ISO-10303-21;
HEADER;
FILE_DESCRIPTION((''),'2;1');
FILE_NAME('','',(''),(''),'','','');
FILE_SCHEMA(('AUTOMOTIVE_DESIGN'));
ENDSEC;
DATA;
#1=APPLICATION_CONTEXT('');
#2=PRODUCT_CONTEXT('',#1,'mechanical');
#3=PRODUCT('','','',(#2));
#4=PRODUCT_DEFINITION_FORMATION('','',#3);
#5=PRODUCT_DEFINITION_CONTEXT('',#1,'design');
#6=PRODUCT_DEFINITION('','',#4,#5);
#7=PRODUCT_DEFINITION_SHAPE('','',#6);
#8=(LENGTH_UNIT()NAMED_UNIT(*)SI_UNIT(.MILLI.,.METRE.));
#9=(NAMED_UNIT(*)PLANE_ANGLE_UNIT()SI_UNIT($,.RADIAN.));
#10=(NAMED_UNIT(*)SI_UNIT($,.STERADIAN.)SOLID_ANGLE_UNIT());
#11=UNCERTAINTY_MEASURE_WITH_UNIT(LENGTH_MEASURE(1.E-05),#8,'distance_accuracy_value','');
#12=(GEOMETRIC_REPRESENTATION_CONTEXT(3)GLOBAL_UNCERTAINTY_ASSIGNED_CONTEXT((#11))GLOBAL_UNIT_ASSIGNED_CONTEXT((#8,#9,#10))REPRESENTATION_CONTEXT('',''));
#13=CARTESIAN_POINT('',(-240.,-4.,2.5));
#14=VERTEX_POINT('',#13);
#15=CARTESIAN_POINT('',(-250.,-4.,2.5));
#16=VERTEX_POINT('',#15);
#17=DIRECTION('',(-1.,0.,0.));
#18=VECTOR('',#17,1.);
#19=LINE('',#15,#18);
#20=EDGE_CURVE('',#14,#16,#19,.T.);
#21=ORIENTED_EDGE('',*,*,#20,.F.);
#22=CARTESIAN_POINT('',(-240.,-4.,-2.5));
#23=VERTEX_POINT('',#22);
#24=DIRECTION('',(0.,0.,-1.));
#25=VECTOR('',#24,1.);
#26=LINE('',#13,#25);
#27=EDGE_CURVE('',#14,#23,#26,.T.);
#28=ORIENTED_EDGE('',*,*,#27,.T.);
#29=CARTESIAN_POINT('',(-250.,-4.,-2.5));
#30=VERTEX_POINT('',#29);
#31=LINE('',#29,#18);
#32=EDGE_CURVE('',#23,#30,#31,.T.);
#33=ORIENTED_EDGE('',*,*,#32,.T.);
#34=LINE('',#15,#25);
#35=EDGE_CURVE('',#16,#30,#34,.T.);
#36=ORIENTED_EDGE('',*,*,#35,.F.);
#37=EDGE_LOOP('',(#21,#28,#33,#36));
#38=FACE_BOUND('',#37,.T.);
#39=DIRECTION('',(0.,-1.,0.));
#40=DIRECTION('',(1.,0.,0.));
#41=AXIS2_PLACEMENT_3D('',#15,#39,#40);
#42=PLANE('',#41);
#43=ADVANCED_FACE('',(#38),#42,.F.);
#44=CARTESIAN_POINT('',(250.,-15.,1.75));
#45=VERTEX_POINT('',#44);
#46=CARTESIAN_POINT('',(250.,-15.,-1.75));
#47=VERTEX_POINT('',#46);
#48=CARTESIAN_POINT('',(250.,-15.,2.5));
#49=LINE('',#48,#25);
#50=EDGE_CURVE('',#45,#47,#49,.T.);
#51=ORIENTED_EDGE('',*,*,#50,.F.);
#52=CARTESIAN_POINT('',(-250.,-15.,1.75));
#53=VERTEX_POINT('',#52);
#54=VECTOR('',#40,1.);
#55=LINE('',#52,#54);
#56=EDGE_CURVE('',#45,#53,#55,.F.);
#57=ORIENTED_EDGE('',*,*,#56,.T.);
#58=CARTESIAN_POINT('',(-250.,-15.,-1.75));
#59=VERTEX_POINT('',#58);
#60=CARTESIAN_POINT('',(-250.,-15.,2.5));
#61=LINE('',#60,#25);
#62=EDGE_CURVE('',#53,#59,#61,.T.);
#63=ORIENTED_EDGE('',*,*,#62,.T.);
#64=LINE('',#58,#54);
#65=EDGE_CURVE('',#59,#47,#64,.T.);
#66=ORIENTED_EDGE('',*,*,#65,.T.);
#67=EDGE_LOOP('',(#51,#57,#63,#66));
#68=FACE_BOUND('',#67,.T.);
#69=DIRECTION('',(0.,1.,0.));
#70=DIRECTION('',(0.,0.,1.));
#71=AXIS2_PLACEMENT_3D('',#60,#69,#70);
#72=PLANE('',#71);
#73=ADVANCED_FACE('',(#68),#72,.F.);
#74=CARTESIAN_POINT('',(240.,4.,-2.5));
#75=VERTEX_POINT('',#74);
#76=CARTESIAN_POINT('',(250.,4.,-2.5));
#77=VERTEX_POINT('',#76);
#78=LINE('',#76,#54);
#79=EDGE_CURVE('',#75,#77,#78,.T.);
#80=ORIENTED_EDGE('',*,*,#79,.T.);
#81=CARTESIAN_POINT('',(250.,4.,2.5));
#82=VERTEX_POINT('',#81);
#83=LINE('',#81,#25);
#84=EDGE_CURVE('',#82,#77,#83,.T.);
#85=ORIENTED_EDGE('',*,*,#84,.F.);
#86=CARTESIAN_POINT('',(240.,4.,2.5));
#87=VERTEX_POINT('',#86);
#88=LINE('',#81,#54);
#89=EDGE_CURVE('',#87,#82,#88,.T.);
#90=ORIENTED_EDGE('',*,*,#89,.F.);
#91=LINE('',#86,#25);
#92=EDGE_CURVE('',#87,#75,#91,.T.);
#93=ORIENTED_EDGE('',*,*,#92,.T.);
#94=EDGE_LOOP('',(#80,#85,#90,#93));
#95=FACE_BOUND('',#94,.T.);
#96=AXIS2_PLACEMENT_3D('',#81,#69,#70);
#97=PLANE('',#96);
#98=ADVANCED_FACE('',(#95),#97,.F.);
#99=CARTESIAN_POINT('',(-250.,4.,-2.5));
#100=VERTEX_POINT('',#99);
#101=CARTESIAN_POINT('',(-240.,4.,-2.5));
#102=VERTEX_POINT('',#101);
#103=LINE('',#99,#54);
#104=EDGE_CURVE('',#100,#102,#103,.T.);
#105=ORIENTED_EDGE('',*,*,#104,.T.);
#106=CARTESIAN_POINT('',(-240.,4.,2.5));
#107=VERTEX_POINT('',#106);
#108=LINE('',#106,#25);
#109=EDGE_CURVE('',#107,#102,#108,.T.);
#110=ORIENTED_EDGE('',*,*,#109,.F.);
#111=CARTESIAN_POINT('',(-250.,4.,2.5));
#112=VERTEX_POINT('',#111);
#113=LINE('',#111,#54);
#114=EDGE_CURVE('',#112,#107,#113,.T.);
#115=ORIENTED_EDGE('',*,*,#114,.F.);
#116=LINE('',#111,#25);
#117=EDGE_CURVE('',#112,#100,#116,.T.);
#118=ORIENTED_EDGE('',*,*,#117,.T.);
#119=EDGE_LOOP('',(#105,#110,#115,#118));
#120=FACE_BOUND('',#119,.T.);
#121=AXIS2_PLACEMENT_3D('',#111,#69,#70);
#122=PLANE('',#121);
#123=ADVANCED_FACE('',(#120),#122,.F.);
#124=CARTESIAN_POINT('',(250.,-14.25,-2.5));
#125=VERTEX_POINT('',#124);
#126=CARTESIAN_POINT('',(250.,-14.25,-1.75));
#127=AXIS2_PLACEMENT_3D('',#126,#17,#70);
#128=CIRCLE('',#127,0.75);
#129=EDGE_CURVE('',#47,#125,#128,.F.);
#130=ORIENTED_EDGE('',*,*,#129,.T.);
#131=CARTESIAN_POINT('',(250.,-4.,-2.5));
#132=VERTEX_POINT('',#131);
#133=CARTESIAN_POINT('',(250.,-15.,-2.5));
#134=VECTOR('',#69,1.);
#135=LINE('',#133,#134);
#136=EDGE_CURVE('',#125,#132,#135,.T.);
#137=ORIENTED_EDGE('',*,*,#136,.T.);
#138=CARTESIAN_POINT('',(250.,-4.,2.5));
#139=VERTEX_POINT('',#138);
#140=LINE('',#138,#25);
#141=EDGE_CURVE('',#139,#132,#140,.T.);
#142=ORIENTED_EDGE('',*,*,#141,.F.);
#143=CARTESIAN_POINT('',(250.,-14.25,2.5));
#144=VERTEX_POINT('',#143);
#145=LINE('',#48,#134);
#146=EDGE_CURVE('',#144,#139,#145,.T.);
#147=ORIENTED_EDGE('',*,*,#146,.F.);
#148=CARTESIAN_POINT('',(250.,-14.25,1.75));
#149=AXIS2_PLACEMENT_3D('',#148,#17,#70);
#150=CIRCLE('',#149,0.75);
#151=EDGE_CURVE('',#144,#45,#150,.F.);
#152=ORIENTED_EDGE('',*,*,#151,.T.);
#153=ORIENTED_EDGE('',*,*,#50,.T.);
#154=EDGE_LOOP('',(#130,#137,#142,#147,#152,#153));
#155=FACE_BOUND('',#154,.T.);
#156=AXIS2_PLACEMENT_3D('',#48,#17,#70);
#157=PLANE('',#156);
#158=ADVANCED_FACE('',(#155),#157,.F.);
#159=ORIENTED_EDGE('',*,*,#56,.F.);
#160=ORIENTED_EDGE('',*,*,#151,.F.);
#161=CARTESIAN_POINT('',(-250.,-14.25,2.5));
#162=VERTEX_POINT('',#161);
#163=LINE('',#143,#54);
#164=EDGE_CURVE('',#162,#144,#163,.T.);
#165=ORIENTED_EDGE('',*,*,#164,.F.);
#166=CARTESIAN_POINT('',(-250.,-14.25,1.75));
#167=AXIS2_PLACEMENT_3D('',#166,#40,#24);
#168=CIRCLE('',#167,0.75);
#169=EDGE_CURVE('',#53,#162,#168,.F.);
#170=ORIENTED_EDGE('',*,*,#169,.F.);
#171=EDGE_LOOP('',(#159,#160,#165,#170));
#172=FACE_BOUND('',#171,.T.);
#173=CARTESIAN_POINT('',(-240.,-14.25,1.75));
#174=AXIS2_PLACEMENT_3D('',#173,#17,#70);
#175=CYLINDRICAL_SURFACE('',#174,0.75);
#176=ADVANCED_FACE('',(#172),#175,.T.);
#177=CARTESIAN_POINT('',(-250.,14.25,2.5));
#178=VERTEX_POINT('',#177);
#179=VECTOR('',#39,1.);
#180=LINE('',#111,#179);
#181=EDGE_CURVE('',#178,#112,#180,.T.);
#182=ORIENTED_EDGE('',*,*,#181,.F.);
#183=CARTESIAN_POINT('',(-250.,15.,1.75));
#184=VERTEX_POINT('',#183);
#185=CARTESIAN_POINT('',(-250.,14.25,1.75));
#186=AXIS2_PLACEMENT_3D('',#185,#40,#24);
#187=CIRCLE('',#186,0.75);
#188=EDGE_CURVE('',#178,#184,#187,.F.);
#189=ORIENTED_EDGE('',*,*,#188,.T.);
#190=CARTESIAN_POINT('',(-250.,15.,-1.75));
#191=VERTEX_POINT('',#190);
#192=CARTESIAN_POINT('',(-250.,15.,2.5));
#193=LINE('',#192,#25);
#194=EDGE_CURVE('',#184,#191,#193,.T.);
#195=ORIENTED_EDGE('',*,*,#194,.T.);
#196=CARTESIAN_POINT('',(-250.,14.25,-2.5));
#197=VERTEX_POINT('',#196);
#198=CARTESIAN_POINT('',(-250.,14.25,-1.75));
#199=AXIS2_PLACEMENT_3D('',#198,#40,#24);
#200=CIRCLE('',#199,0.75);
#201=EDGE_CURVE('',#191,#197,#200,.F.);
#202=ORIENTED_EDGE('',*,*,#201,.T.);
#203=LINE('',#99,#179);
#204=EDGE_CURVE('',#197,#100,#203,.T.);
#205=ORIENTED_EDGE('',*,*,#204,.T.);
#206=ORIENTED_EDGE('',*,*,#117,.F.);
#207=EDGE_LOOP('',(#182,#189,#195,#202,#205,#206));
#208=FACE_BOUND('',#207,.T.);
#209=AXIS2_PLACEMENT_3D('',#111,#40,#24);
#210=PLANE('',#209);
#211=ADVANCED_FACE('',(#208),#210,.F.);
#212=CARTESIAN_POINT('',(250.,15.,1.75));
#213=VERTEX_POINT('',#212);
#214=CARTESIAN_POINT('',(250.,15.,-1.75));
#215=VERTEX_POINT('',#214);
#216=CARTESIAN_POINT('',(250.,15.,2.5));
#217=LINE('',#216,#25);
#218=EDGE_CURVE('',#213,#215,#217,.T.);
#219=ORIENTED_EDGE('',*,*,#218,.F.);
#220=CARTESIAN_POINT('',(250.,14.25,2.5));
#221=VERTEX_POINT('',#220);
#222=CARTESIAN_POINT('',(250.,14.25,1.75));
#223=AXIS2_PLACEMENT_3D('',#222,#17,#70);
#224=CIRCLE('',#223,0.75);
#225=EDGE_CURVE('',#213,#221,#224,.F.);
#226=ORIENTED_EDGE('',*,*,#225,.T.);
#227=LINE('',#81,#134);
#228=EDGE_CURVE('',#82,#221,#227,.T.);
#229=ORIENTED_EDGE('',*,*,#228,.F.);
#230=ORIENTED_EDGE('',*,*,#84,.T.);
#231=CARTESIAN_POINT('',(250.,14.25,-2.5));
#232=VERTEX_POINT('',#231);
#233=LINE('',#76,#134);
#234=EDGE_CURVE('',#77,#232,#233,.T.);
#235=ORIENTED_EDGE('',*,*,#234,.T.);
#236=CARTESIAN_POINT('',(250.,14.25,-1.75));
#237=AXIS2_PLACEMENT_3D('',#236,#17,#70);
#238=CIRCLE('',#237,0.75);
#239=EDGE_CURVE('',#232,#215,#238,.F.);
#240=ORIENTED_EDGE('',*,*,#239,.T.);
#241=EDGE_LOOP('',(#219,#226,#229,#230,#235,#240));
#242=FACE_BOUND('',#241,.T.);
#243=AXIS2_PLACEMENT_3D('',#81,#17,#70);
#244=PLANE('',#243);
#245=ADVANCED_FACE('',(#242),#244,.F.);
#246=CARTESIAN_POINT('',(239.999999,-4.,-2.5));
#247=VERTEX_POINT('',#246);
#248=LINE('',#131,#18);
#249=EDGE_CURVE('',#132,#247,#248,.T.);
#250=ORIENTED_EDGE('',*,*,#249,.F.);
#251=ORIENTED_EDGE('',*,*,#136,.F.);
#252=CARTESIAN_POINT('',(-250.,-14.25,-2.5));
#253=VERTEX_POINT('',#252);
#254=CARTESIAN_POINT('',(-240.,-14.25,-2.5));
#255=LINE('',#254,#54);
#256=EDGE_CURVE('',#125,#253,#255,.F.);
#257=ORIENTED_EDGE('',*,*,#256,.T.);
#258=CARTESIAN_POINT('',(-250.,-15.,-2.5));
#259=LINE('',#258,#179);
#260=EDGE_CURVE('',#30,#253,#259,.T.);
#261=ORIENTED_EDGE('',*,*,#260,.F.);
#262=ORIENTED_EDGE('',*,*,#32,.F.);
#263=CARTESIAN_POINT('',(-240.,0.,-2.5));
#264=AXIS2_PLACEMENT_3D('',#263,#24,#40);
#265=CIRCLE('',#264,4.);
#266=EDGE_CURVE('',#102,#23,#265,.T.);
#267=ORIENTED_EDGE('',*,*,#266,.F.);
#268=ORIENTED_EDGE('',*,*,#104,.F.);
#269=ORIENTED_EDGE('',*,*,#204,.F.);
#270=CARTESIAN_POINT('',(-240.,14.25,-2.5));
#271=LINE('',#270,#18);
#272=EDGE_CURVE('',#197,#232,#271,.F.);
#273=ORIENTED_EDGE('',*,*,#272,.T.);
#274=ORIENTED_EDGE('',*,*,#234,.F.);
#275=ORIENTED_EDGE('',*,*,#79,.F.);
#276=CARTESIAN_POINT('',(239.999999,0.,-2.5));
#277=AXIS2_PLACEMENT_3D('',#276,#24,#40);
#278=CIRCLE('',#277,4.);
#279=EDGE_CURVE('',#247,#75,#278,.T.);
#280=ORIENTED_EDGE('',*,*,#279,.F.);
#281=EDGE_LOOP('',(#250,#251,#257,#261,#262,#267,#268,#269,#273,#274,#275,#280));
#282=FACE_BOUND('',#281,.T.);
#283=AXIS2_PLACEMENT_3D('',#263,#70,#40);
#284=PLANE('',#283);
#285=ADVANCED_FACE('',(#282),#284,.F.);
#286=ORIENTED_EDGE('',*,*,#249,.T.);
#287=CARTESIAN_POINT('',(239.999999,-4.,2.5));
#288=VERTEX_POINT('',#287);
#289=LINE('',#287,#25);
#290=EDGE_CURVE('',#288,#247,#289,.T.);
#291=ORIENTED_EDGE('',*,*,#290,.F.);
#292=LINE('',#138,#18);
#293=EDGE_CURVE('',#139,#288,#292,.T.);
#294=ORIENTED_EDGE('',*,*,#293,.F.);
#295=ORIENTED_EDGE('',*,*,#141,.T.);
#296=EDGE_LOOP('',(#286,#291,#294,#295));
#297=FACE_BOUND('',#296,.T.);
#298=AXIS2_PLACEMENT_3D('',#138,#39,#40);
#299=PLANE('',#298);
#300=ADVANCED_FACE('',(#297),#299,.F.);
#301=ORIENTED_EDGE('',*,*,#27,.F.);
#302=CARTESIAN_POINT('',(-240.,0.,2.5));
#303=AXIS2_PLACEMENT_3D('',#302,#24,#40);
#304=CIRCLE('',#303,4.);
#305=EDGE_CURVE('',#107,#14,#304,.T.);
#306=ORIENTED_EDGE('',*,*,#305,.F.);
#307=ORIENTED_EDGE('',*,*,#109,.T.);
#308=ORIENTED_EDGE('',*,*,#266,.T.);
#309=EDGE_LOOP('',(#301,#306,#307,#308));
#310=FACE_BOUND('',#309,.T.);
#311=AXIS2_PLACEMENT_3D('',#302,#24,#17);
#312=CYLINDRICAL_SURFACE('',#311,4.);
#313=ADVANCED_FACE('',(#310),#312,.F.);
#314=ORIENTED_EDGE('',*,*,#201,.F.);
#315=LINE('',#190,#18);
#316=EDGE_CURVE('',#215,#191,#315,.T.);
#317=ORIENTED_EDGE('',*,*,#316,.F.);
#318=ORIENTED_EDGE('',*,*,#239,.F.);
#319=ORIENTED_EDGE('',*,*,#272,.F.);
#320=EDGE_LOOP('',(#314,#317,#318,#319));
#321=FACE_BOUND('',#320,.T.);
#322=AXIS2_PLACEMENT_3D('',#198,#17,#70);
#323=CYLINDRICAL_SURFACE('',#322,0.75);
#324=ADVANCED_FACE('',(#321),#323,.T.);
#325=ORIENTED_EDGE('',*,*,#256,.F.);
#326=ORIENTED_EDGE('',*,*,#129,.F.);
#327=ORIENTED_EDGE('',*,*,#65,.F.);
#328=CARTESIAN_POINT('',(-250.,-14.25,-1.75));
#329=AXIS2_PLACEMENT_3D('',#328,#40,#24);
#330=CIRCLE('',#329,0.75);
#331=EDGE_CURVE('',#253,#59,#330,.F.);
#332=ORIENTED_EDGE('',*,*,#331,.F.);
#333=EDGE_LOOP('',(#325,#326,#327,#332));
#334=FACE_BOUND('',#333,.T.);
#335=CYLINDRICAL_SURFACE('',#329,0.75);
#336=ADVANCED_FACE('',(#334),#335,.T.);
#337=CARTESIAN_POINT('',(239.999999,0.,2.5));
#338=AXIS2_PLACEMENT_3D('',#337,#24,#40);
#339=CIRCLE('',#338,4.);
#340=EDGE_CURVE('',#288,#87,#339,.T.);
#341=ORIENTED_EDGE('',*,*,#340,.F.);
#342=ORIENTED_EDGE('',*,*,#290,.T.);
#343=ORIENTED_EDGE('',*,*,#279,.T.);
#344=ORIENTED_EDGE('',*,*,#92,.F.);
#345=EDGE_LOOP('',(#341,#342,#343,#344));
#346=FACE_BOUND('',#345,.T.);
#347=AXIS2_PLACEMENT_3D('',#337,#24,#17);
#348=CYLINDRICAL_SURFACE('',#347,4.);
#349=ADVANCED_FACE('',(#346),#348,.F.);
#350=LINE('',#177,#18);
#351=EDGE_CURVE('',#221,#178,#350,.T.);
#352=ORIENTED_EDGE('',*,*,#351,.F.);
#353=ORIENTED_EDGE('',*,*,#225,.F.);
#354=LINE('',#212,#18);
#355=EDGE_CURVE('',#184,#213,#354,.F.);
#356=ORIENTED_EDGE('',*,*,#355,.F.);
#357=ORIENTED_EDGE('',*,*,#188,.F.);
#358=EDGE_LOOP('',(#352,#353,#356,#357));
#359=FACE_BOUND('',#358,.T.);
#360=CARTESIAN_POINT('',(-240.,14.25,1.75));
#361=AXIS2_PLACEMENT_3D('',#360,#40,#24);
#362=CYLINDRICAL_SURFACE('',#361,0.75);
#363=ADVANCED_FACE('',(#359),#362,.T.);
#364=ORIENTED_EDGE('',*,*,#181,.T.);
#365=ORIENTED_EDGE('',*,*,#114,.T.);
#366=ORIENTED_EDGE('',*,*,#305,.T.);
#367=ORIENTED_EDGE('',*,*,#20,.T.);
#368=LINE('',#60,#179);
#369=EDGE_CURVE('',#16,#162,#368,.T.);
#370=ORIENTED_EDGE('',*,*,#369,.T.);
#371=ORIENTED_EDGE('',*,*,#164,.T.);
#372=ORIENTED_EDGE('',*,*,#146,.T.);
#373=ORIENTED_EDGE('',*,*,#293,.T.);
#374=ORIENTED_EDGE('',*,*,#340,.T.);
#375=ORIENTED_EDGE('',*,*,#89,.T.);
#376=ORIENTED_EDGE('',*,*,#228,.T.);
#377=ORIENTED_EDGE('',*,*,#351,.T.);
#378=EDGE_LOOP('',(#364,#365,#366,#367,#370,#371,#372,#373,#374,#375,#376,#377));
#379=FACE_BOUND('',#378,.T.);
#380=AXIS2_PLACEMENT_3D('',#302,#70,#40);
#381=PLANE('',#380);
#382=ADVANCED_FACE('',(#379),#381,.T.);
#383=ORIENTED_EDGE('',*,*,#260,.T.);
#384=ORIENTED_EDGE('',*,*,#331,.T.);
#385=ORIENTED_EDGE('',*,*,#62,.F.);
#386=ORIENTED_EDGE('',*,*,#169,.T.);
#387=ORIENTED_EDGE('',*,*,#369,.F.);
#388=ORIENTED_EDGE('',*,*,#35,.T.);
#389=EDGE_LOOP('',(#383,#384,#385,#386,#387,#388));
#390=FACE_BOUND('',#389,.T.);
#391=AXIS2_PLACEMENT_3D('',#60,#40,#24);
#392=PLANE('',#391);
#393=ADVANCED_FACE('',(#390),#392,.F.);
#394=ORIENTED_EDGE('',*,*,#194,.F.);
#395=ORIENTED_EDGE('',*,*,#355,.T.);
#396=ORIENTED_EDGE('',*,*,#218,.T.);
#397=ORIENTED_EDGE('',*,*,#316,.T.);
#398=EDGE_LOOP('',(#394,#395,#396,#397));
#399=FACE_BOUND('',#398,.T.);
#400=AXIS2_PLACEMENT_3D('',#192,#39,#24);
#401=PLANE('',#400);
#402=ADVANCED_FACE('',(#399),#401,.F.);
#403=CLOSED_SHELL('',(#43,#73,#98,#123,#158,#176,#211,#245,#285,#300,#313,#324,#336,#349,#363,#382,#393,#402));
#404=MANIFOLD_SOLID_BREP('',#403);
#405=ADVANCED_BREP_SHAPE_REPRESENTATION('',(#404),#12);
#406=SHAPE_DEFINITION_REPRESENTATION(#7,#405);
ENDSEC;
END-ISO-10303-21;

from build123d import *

# Parameters (mm, degrees)
BOSS_EXTRUDE1_DEPTH = 2.5
FILLET2_R           = 0.75


with BuildPart() as part:
    # Sketch1 → Boss-Extrude1 (new, symmetric)
    with BuildSketch(Plane.XY):
        with BuildLine():
            Line((-250, -15), (250, -15))
            Line((250, -15), (250, -4))
            Line((250, -4), (239.999999107, -4))
            ThreePointArc((239.999999107, -4), (235.999999107, 4.47e-07), (240, 4))
            Line((240, 4), (250, 4))
            Line((250, 4), (250, 15))
            Line((250, 15), (-250, 15))
            Line((-250, 15), (-250, 4))
            Line((-250, 4), (-240, 4))
            ThreePointArc((-240, 4), (-236, 0), (-240, -4))
            Line((-240, -4), (-250, -4))
            Line((-250, -4), (-250, -15))
        make_face()
    extrude(amount=BOSS_EXTRUDE1_DEPTH, both=True)

    # Fillet2
    fillet2_edges = [part.edges().sort_by_distance(p)[0] for p in [
        (0, -15, -2.5),
        (0, 15, -2.5),
        (0, -15, 2.5),
        (0, 15, 2.5),
    ]]
    fillet(fillet2_edges, radius=FILLET2_R)


solid = part.part
